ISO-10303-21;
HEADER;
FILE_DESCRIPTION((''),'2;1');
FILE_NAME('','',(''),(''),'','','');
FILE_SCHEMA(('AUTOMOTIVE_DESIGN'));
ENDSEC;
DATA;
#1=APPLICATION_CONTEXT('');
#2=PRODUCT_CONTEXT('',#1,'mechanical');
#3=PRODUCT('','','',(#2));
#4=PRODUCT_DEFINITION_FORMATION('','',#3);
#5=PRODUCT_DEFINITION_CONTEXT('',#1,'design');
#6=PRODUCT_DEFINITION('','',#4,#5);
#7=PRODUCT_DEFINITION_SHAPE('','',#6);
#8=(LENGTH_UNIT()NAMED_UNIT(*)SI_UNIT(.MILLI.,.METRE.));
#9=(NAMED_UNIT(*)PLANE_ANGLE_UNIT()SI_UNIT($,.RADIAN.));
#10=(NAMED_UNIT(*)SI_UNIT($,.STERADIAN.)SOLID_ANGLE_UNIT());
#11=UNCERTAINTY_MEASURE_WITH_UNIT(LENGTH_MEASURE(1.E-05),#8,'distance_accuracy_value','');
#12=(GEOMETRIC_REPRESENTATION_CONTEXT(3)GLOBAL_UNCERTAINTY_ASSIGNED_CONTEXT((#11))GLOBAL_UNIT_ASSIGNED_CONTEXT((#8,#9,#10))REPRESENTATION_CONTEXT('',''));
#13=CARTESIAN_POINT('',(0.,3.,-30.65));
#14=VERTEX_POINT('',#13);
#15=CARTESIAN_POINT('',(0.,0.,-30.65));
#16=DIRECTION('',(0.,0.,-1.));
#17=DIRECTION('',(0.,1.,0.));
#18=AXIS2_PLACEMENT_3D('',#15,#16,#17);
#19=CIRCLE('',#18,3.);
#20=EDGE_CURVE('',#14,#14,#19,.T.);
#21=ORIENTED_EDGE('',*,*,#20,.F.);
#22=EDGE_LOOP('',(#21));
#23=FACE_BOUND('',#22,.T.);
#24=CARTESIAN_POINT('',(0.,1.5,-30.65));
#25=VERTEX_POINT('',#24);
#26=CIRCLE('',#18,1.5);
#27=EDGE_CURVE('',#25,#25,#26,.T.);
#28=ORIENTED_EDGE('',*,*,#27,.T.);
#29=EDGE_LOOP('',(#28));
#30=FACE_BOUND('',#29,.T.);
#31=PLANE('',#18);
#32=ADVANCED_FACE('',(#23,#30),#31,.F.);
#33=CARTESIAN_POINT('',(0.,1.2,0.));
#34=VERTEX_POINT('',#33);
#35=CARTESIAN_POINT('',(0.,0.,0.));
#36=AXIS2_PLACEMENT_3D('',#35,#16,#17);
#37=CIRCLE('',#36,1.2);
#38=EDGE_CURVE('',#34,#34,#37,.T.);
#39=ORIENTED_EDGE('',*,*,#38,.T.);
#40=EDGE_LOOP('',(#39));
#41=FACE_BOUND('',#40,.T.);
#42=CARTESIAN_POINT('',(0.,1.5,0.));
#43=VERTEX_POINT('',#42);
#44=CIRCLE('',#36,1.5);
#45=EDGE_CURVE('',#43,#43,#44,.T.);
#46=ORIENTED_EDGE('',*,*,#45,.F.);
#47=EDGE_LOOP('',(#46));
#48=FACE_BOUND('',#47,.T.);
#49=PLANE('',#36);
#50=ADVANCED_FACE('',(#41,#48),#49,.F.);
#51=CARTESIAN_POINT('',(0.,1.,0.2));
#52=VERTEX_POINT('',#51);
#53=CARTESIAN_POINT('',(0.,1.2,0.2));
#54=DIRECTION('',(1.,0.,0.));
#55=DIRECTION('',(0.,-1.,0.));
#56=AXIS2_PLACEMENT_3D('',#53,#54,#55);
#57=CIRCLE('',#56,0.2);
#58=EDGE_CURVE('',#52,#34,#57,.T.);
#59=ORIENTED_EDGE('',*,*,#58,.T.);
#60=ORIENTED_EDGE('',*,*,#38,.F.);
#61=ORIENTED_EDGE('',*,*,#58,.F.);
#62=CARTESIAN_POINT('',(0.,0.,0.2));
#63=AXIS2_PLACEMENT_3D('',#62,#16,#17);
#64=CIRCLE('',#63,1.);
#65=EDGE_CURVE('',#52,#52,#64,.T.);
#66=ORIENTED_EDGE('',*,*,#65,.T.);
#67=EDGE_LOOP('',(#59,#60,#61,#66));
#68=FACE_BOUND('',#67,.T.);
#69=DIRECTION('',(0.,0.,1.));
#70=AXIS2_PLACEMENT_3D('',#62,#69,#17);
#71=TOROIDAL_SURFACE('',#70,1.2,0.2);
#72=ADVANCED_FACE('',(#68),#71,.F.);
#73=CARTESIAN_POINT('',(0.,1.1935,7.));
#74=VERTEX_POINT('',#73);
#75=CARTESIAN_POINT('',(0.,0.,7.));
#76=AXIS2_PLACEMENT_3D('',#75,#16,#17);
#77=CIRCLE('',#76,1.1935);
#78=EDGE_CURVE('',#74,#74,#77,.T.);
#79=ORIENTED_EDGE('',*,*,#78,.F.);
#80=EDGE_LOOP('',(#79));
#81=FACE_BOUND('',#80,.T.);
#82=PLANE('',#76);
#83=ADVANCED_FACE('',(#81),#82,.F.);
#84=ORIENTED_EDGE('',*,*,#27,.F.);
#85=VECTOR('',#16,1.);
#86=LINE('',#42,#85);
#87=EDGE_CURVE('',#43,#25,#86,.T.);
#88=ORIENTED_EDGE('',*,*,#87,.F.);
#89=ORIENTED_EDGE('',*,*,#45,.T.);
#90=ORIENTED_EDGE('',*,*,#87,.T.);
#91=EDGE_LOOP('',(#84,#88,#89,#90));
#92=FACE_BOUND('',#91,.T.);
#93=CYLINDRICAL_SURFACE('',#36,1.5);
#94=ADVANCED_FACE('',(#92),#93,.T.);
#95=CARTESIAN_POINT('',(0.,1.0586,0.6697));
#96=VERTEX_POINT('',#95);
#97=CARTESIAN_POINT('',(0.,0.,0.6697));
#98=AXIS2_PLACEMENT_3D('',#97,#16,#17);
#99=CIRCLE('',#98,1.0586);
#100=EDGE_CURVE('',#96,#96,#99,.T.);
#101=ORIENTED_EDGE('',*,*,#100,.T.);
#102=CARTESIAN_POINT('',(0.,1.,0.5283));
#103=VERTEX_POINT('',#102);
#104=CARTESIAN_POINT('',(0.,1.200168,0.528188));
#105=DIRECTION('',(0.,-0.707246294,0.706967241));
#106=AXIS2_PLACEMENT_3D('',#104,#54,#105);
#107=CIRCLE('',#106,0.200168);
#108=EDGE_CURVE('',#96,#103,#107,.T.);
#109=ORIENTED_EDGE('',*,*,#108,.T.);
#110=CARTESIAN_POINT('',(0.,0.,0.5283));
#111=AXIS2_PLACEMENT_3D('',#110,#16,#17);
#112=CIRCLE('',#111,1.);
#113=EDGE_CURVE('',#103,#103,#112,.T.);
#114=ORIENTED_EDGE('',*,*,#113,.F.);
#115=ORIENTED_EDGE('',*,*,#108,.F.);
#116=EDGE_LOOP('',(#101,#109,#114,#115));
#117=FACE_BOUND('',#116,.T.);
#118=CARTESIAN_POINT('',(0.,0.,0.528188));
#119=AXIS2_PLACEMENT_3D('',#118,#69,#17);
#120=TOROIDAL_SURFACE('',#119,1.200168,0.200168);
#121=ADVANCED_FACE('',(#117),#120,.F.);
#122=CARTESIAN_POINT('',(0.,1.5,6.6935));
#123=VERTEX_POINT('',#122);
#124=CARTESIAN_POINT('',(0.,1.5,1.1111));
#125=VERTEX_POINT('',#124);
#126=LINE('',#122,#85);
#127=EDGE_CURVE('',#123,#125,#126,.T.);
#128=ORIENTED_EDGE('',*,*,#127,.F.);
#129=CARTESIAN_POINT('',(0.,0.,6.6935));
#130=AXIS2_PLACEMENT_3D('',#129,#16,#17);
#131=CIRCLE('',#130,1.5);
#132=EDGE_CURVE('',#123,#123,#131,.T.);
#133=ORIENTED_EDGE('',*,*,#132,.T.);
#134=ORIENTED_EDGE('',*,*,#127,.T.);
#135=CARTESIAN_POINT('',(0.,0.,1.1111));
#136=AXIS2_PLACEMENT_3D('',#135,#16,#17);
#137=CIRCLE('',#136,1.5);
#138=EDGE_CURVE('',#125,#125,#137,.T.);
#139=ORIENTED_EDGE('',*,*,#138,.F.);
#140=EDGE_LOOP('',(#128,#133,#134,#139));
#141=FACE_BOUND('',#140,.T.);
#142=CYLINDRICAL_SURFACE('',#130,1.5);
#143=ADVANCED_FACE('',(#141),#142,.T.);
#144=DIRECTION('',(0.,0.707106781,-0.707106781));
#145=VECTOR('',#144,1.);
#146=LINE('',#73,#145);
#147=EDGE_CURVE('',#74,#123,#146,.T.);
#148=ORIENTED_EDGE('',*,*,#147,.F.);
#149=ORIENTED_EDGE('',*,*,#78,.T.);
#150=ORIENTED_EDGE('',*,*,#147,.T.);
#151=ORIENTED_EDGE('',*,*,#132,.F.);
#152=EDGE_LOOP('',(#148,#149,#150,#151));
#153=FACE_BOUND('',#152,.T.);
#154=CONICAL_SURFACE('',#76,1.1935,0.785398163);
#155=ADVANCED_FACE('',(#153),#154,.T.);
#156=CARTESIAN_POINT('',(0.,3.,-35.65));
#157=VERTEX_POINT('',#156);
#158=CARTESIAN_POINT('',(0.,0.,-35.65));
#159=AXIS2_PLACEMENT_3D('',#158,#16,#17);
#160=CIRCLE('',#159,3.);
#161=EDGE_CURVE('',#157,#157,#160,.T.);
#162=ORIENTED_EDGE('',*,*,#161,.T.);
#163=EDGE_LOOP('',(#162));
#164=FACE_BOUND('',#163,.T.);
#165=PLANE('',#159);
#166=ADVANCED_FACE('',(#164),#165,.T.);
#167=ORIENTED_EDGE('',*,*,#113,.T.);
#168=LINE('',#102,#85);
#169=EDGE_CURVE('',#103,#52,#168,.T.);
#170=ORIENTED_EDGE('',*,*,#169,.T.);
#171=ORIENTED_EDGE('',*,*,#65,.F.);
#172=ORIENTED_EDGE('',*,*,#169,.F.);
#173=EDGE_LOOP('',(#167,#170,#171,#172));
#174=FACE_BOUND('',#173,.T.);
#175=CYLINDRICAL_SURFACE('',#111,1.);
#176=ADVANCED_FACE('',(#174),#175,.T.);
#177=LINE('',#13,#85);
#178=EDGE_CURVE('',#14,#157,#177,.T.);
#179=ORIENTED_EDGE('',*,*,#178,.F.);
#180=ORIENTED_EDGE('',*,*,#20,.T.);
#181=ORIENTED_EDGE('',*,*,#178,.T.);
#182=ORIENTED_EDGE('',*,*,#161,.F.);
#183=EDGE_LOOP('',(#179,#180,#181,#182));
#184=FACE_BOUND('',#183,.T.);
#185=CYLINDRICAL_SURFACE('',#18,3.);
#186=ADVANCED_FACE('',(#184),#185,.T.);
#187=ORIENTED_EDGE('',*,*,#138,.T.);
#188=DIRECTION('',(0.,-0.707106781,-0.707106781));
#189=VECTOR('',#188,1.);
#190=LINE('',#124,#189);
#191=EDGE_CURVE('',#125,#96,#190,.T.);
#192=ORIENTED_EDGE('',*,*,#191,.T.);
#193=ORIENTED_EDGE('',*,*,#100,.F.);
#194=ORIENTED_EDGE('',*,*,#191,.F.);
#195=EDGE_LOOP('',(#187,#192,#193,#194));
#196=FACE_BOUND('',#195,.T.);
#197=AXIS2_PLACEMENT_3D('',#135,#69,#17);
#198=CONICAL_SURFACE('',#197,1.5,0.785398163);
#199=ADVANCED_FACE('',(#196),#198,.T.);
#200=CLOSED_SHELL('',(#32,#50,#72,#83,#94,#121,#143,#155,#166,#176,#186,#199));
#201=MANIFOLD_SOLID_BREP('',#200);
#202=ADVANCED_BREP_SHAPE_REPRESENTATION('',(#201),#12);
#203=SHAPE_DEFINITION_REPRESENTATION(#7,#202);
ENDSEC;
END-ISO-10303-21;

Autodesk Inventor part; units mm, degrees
sketch "Sketch_1" plane through (0, 0, 0) normal (1, 0, 0) x (0, 1, 0)
  line L0 (0, -35.65) -> (0, 0)
  line L1 (0, 0) -> (1.5, 0)
  line L2 (1.5, 0) -> (1.5, -30.65)
  line L3 (1.5, -30.65) -> (3, -30.65)
  line L4 (3, -30.65) -> (3, -35.65)
  line L5 (3, -35.65) -> (0, -35.65)
  line L6 (0, -35.65) -> (0, 0)
revolve "Revolution1" add sketch "Sketch_1" angle 360 about axis through (0, 0, -35.65) along (0, 0, -1)
sketch "Sketch_2" plane through (0, 0, 0) normal (1, 0, 0) x (0, 1, 0)
  line L0 (0, 0) -> (0, 7)
  line L1 (0, 7) -> (1.1935, 7)
  line L2 (1.1935, 7) -> (1.5, 6.6935)
  line L3 (1.5, 6.6935) -> (1.5, 1.1111)
  line L4 (1.5, 1.1111) -> (1.0586, 0.6697)
  arc A0 (1.0586, 0.6697) -> (1, 0.5283) centre (1.2, 0.5283) ccw
  line L5 (1, 0.5283) -> (1, 0.2)
  arc A1 (1, 0.2) -> (1.2, 0) centre (1.2, 0.2) ccw
  line L6 (1.2, 0) -> (0, 0)
  line L7 (0, 0) -> (0, 7)
revolve "Revolution2" add sketch "Sketch_2" angle 360 about axis through (0, 0, 0) along (0, 0, -1)
thread "Thread1" size "M3x0.5" class "6g" standard "ISO Metric profile" full length
ref_plane "CP1_XY" through (0, 0, -35.65) normal (0, 0, -1) x (1, 0, 0)
ref_plane "CP1_YZ" through (0, 0, -35.65) normal (1, 0, 0) x (0, -1, 0)
ref_plane "CP1_ZX" through (0, 0, -35.65) normal (0, -1, 0) x (0, 0, -1)
ref_plane "CP_P_XY" through (0, 0, -35.65) normal (0, 0, 1) x (1, 0, 0)
ref_plane "CP_P_YZ" through (0, 0, -35.65) normal (1, 0, 0) x (0, 1, 0)
ref_plane "CP_P_ZX" through (0, 0, -35.65) normal (0, 1, 0) x (0, 0, 1)
ref_plane "CP_PL_XY" through (0, 0, 0) normal (0, 0, 1) x (1, 0, 0)
ref_plane "CP_PL_YZ" through (0, 0, 0) normal (1, 0, 0) x (0, 1, 0)
ref_plane "CP_PL_ZX" through (0, 0, 0) normal (0, 1, 0) x (0, 0, 1)
ref_plane "DIM_ZM_XY" through (0, 1.5, -67) normal (1, 0, 0) x (0, 0, -1)
ref_plane "DIM_ZM_YZ" through (0, 1.5, -67) normal (0, 0, -1) x (0, 1, 0)
ref_plane "DIM_ZM_ZX" through (0, 1.5, -67) normal (0, 1, 0) x (1, 0, 0)
ref_plane "NUT_6_10_T_1_XY" through (0, 0, -73) normal (0, 0, 1) x (1, 0, 0)
ref_plane "NUT_6_10_T_1_YZ" through (0, 0, -73) normal (1, 0, 0) x (0, 1, 0)
ref_plane "NUT_6_10_T_1_ZX" through (0, 0, -73) normal (0, 1, 0) x (0, 0, 1)
ref_plane "NUT_6_10_T_2_XY" through (0, 0, -71.2) normal (0, 0, 1) x (1, 0, 0)
ref_plane "NUT_6_10_T_2_YZ" through (0, 0, -71.2) normal (1, 0, 0) x (0, 1, 0)
ref_plane "NUT_6_10_T_2_ZX" through (0, 0, -71.2) normal (0, 1, 0) x (0, 0, 1)
ref_plane "NUT_CP_6_10_1_XY" through (0, 0, 5) normal (0, 0, 1) x (1, 0, 0)
ref_plane "NUT_CP_6_10_1_YZ" through (0, 0, 5) normal (1, 0, 0) x (0, 1, 0)
ref_plane "NUT_CP_6_10_1_ZX" through (0, 0, 5) normal (0, 1, 0) x (0, 0, 1)
ref_plane "NUT_CP_6_10_2_XY" through (0, 0, 3.2) normal (0, 0, 1) x (1, 0, 0)
ref_plane "NUT_CP_6_10_2_YZ" through (0, 0, 3.2) normal (1, 0, 0) x (0, 1, 0)
ref_plane "NUT_CP_6_10_2_ZX" through (0, 0, 3.2) normal (0, 1, 0) x (0, 0, 1)
properties part number "4674228 DPDM-15---(r)"
